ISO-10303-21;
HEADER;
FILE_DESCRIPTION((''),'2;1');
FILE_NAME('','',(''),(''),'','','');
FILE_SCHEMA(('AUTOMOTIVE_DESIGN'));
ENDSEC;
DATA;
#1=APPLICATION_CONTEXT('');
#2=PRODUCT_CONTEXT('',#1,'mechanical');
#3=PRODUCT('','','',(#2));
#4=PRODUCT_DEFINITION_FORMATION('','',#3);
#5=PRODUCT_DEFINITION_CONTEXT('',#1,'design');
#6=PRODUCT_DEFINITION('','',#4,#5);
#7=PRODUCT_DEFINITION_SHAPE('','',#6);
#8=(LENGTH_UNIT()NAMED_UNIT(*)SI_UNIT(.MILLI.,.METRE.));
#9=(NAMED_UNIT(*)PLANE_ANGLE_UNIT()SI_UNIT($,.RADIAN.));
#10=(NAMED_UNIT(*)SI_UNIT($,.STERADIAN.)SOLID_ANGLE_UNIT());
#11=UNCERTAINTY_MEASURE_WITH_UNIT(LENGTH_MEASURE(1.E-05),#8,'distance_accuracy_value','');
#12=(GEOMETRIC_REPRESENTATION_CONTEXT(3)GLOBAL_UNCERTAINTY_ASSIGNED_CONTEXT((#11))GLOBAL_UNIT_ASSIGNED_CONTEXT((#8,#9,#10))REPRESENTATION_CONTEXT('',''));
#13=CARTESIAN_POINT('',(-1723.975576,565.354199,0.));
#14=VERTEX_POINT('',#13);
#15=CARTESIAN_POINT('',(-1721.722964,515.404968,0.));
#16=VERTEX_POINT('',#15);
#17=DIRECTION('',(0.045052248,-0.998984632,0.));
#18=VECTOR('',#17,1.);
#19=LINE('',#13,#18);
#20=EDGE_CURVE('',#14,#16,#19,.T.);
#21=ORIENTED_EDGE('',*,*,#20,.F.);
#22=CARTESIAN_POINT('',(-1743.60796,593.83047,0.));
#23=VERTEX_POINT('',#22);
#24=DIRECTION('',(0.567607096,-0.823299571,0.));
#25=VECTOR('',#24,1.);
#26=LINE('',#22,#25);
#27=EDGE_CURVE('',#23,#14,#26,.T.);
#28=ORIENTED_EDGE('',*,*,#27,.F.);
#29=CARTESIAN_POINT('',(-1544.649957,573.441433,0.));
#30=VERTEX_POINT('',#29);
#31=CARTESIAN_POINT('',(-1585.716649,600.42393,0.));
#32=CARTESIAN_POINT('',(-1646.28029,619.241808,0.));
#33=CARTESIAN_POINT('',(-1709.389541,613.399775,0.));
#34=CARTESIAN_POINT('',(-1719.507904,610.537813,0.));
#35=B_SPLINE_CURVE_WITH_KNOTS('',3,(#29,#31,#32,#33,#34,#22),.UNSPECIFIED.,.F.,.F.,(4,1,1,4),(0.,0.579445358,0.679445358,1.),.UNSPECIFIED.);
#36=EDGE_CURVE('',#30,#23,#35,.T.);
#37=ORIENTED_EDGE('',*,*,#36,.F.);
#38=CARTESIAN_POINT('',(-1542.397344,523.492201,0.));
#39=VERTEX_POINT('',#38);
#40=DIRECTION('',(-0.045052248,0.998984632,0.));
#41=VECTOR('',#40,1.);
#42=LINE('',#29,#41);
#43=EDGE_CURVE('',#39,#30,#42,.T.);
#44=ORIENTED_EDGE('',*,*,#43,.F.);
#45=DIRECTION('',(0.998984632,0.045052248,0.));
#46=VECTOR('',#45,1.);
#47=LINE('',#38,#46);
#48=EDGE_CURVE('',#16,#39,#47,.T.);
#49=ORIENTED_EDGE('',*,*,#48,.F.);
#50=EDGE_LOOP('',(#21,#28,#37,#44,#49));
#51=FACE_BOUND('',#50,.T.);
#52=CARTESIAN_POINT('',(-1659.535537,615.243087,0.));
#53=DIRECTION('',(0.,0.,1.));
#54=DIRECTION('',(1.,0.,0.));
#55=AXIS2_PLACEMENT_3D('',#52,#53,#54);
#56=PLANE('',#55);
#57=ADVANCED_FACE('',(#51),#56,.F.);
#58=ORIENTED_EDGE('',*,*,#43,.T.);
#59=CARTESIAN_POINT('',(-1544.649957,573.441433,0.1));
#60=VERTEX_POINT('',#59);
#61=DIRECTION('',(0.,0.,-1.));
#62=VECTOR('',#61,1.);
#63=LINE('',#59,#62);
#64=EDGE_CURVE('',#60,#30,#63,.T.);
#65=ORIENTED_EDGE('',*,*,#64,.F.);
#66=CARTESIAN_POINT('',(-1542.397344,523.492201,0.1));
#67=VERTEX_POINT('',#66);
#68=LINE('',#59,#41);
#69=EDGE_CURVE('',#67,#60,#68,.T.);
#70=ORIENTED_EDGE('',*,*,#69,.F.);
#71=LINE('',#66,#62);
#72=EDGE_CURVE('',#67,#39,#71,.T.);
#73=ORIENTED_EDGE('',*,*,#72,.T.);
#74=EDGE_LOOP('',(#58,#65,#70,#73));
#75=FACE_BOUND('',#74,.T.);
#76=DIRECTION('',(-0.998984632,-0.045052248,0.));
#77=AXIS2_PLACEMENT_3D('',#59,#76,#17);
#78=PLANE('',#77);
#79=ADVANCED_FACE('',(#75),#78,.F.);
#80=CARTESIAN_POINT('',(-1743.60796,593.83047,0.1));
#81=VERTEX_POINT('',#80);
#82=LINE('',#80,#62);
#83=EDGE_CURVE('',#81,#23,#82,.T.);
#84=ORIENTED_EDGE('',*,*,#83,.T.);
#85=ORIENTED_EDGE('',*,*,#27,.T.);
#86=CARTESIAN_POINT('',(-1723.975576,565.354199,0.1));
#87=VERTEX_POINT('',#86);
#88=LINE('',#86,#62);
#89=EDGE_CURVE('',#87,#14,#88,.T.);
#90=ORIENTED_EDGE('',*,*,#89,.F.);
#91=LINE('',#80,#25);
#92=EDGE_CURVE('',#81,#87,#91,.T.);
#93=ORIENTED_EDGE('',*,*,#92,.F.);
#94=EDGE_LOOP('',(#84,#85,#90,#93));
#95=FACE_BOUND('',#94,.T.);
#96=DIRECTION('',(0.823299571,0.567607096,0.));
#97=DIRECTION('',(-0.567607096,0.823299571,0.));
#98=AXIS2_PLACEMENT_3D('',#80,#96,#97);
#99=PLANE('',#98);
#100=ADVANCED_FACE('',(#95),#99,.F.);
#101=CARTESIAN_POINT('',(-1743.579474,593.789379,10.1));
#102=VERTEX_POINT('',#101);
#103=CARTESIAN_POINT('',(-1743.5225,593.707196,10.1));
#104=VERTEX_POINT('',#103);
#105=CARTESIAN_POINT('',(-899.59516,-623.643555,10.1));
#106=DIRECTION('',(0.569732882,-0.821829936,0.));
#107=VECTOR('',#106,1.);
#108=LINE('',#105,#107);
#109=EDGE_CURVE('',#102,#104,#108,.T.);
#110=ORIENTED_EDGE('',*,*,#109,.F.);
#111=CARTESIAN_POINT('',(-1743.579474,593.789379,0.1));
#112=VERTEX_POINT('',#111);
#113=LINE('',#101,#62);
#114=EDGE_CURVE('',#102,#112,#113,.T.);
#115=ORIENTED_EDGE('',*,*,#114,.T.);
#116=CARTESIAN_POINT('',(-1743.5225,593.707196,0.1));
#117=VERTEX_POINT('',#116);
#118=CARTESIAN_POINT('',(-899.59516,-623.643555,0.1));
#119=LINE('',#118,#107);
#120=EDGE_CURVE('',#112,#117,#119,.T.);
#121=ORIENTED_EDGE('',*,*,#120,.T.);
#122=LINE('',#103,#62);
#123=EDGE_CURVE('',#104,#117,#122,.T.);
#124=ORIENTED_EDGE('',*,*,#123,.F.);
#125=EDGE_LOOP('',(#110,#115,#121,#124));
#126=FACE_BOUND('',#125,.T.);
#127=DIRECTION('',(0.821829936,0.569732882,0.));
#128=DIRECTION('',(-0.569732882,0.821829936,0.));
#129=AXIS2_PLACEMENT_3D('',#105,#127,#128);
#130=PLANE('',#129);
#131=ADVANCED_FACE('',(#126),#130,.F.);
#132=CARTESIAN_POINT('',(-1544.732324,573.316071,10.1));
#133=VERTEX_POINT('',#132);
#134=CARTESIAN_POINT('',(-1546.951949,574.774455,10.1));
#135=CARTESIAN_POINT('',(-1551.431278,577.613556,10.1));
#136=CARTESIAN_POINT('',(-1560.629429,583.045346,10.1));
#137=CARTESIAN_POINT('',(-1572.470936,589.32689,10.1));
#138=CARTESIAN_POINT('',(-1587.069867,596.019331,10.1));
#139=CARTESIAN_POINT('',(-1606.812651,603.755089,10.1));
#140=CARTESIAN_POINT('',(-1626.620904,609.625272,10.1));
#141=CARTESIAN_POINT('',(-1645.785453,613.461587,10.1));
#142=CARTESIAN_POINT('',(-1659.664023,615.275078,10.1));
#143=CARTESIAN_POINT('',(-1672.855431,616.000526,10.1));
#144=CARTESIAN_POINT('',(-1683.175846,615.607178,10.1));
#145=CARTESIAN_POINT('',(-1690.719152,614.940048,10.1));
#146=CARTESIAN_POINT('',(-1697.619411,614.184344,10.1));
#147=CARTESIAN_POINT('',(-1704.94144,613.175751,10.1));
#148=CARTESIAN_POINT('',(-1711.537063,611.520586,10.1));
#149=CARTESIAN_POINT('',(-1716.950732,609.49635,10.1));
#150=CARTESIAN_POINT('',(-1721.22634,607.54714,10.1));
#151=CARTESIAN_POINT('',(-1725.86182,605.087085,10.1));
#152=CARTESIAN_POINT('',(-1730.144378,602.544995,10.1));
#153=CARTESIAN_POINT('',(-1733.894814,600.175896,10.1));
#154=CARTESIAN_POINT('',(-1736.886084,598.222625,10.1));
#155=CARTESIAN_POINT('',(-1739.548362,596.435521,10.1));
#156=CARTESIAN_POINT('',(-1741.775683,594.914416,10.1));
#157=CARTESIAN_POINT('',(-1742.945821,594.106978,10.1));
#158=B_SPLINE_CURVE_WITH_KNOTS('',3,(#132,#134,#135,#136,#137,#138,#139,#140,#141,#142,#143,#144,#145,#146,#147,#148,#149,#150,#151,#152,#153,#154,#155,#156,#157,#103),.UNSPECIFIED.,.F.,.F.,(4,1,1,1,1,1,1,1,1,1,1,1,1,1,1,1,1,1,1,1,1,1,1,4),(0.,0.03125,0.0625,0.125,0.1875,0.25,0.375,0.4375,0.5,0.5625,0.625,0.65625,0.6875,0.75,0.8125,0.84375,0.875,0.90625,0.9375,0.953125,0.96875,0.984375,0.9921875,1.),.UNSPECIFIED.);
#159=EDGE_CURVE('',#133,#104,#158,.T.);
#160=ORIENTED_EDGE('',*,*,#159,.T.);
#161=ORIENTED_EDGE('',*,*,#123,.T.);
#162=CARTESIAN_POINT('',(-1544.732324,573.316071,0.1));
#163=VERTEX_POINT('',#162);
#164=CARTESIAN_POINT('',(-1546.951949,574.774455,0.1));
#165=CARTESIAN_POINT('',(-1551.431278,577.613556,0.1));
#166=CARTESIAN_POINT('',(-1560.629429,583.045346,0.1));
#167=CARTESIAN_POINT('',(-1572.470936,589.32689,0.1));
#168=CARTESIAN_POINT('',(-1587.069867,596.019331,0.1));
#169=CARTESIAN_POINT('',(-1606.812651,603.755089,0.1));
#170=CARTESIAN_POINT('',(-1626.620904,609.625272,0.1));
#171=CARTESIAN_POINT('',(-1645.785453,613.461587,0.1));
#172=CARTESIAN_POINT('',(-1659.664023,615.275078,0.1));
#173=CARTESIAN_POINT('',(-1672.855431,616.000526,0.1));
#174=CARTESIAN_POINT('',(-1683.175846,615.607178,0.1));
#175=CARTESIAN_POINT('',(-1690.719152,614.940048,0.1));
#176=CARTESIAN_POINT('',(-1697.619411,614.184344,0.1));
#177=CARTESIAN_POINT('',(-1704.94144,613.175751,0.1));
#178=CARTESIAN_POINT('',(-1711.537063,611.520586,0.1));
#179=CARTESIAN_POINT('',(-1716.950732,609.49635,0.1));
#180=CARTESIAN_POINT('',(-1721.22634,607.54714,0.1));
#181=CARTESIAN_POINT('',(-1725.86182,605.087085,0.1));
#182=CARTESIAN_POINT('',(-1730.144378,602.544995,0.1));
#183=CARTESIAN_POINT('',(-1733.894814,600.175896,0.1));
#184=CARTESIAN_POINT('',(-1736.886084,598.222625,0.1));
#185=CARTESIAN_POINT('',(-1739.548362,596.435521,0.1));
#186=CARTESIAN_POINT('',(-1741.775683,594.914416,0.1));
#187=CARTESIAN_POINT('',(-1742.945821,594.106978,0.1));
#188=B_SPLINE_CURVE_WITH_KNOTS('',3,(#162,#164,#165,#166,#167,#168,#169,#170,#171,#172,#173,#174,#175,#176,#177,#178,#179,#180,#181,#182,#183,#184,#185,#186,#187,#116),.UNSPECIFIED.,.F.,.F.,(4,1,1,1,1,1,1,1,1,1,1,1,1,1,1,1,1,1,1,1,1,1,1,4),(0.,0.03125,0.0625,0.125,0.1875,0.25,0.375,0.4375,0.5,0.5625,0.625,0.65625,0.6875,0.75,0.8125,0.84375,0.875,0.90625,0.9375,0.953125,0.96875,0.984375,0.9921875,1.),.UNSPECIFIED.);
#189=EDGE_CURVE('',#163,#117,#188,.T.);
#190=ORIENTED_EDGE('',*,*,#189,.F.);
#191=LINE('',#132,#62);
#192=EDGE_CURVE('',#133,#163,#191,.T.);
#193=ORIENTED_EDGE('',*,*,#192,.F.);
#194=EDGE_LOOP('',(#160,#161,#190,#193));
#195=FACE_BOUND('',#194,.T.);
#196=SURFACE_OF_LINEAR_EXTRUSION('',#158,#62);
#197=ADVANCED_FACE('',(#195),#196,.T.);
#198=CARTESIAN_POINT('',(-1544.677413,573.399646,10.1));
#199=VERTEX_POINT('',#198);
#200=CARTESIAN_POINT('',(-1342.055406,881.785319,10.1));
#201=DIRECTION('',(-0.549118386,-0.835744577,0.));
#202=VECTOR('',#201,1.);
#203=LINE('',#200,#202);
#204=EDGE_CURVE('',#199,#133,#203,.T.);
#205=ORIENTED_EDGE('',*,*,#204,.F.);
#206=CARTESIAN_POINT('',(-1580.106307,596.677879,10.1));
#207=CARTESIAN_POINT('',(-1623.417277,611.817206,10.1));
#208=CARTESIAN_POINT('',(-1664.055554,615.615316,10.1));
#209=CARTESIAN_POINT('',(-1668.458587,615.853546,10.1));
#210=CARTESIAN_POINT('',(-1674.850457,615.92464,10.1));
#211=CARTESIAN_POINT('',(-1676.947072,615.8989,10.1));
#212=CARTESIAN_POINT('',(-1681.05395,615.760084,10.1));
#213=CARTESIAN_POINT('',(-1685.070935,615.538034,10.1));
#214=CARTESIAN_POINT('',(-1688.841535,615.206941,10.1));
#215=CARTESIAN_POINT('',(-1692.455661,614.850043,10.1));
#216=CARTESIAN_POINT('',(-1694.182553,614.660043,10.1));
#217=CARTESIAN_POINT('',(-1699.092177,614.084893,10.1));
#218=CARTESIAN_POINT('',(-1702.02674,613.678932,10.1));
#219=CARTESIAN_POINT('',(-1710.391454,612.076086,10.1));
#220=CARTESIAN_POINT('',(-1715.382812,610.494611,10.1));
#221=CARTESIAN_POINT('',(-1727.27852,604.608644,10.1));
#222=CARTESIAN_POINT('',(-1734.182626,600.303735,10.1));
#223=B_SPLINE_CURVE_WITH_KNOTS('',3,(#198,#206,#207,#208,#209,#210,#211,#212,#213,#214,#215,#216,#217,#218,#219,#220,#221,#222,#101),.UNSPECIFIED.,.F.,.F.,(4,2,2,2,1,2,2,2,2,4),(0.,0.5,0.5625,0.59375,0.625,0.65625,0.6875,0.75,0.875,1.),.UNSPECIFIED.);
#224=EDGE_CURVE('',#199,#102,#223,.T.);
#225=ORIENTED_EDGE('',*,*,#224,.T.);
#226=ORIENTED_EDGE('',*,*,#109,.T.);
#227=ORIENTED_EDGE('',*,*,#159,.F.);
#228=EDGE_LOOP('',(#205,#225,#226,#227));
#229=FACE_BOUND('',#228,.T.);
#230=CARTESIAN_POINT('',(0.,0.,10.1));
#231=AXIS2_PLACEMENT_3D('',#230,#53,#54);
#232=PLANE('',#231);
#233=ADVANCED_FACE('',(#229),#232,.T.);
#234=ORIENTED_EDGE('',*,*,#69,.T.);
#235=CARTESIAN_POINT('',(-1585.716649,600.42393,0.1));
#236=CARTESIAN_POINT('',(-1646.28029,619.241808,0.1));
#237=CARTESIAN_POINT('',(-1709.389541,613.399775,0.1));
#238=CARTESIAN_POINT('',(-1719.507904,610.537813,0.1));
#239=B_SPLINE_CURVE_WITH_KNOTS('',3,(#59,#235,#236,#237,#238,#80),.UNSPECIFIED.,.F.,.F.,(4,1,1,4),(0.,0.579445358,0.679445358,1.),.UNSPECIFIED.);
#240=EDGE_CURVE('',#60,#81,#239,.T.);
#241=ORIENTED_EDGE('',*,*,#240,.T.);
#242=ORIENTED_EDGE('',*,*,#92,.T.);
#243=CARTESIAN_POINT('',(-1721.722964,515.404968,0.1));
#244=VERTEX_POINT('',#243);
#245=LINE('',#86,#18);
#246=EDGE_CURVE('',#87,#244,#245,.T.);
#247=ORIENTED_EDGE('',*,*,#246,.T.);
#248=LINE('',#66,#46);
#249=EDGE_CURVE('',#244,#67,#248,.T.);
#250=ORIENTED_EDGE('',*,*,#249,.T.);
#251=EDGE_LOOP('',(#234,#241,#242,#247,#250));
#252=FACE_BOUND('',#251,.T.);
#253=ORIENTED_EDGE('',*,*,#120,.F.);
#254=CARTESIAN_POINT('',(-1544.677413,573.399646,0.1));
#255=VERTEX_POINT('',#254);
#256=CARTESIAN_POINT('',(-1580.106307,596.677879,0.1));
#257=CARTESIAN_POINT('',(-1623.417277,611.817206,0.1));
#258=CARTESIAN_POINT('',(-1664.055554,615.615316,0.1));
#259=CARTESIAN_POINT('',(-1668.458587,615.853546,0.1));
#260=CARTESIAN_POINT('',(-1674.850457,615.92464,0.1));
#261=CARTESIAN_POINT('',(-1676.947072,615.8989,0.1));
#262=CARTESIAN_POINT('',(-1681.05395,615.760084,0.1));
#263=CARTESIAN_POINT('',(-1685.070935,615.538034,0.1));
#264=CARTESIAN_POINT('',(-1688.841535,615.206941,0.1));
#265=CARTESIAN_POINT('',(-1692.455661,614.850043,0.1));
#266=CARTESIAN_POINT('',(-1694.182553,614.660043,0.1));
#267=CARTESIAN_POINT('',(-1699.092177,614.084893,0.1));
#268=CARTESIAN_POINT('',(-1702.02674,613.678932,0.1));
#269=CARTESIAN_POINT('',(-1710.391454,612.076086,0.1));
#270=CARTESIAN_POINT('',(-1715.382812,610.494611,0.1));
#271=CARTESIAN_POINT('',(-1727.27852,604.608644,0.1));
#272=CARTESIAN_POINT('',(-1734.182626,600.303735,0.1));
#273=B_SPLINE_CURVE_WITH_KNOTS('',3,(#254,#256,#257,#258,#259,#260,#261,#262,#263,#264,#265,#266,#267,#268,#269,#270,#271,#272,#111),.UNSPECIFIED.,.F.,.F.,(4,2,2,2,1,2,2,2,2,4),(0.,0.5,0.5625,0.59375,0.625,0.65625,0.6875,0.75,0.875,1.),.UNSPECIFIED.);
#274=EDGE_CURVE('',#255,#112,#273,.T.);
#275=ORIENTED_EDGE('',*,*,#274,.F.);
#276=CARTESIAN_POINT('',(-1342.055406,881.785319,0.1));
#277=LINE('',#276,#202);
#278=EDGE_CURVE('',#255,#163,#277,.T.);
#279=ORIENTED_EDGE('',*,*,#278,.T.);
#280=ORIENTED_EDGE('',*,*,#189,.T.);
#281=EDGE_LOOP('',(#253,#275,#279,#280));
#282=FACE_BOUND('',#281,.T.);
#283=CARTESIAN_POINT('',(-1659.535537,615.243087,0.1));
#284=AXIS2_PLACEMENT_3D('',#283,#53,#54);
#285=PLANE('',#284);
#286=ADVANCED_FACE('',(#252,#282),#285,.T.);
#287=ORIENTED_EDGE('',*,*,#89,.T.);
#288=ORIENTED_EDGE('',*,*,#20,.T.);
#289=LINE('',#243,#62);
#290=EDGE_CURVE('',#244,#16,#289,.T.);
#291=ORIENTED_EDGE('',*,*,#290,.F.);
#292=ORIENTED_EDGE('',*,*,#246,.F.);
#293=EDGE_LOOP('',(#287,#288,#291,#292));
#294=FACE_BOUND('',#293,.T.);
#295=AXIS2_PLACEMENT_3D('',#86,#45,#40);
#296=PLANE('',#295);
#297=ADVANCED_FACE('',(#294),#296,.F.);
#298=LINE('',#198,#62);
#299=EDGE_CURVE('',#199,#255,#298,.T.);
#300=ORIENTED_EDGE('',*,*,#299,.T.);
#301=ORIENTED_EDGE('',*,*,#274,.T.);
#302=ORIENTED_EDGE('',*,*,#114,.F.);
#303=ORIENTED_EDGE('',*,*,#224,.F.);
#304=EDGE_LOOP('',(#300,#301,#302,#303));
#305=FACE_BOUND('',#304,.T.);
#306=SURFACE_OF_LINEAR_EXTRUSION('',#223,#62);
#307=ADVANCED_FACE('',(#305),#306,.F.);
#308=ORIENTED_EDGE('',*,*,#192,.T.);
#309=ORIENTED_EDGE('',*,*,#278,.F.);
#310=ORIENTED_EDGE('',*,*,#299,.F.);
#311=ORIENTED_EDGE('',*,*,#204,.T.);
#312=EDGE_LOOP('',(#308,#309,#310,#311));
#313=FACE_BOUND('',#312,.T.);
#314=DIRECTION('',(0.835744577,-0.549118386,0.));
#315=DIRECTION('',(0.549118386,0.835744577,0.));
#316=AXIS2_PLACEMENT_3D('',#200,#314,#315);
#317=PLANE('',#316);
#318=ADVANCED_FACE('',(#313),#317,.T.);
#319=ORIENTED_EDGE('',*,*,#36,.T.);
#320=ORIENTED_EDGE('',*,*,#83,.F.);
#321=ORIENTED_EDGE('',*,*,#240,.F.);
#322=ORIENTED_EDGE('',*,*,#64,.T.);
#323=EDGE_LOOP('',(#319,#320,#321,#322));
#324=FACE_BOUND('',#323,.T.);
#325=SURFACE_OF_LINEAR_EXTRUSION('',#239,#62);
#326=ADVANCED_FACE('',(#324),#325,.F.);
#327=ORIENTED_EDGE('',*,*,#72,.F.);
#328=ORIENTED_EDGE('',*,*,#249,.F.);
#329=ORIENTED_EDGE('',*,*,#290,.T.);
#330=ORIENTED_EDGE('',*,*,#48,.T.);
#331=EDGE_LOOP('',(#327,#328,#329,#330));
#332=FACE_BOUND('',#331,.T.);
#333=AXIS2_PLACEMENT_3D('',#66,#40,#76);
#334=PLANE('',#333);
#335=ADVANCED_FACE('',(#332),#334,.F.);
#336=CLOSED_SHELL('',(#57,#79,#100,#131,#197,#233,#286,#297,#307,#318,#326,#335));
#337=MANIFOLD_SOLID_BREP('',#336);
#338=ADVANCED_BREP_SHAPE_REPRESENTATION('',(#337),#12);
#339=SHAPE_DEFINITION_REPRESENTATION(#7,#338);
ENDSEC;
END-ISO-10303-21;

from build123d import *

# Parameters (mm, degrees)
BOSS_EXTRUDE1_DEPTH = 0.1
BOSS_EXTRUDE2_DEPTH = 10


with BuildPart() as part:
    # Sketch1 → Boss-Extrude1 (new body)
    with BuildSketch(Plane.XY):
        with BuildLine():
            Line((-1544.649956659, 573.44143308), (-1542.397344254, 523.492201481))
            Line((-1542.397344254, 523.492201481), (-1721.722963635, 515.404967666))
            Line((-1721.722963635, 515.404967666), (-1723.97557604, 565.354199265))
            Line((-1723.97557604, 565.354199265), (-1743.607960183, 593.830470178))
            add(Edge.make_bspline(
                [(-1743.607960183, 593.830470178), (-1719.507904213, 610.537812828), (-1709.389541143, 613.399774739), (-1646.280289738, 619.241808081), (-1585.716648888, 600.423930323), (-1544.649956659, 573.44143308)],
                knots=[0, 0, 0, 0, 0.320554642, 0.420554642, 1, 1, 1, 1], degree=3))
        make_face()
    extrude(amount=BOSS_EXTRUDE1_DEPTH)

    # Sketch2 → Boss-Extrude2 (add)
    with BuildSketch(Plane.XY.offset(0.1)):
        with BuildLine():
            Line((-1544.677412579, 573.399645851), (-1544.732324417, 573.316071394))
            add(Edge.make_bspline(
                [(-1544.732324417, 573.316071394), (-1546.951948835, 574.774455463), (-1551.43127801, 577.613556033), (-1560.629429442, 583.045346231), (-1572.470935952, 589.326889692), (-1587.069867375, 596.019330748), (-1606.812651261, 603.755089396), (-1626.620904389, 609.625271881), (-1645.785452529, 613.461587482), (-1659.664022733, 615.275078476), (-1672.855430865, 616.000525973), (-1683.17584634, 615.607177853), (-1690.719151522, 614.940047919), (-1697.619410573, 614.184343593), (-1704.94143994, 613.175751133), (-1711.537062872, 611.520585877), (-1716.950731756, 609.496349748), (-1721.226339774, 607.54713974), (-1725.861820037, 605.087085053), (-1730.144377714, 602.544994912), (-1733.894814235, 600.175895508), (-1736.886084267, 598.222624564), (-1739.548362017, 596.435520579), (-1741.775682708, 594.914415574), (-1742.945821332, 594.106977842), (-1743.522500251, 593.707195687)],
                knots=[0, 0, 0, 0, 0.03125, 0.0625, 0.125, 0.1875, 0.25, 0.375, 0.4375, 0.5, 0.5625, 0.625, 0.65625, 0.6875, 0.75, 0.8125, 0.84375, 0.875, 0.90625, 0.9375, 0.953125, 0.96875, 0.984375, 0.9921875, 1, 1, 1, 1], degree=3))
            Line((-1743.522500251, 593.707195687), (-1743.579473539, 593.789378681))
            add(Edge.make_bspline(
                [(-1544.677412579, 573.399645851), (-1580.106306882, 596.677879158), (-1623.417276611, 611.817205851), (-1664.055554326, 615.615316249), (-1668.458587485, 615.853546332), (-1674.850456886, 615.924640206), (-1676.947072346, 615.898899542), (-1681.053950245, 615.760083504), (-1685.070934683, 615.538033819), (-1688.841535286, 615.206941309), (-1692.455660822, 614.85004283), (-1694.182553399, 614.660043123), (-1699.092177305, 614.084892783), (-1702.026740338, 613.678931579), (-1710.391454065, 612.076086015), (-1715.382812403, 610.494610736), (-1727.278520434, 604.6086441), (-1734.182625539, 600.30373531), (-1743.579473539, 593.789378681)],
                knots=[0, 0, 0, 0, 0.5, 0.5, 0.5625, 0.5625, 0.59375, 0.59375, 0.625, 0.65625, 0.65625, 0.6875, 0.6875, 0.75, 0.75, 0.875, 0.875, 1, 1, 1, 1], degree=3))
        make_face()
    extrude(amount=BOSS_EXTRUDE2_DEPTH)


solid = part.part
